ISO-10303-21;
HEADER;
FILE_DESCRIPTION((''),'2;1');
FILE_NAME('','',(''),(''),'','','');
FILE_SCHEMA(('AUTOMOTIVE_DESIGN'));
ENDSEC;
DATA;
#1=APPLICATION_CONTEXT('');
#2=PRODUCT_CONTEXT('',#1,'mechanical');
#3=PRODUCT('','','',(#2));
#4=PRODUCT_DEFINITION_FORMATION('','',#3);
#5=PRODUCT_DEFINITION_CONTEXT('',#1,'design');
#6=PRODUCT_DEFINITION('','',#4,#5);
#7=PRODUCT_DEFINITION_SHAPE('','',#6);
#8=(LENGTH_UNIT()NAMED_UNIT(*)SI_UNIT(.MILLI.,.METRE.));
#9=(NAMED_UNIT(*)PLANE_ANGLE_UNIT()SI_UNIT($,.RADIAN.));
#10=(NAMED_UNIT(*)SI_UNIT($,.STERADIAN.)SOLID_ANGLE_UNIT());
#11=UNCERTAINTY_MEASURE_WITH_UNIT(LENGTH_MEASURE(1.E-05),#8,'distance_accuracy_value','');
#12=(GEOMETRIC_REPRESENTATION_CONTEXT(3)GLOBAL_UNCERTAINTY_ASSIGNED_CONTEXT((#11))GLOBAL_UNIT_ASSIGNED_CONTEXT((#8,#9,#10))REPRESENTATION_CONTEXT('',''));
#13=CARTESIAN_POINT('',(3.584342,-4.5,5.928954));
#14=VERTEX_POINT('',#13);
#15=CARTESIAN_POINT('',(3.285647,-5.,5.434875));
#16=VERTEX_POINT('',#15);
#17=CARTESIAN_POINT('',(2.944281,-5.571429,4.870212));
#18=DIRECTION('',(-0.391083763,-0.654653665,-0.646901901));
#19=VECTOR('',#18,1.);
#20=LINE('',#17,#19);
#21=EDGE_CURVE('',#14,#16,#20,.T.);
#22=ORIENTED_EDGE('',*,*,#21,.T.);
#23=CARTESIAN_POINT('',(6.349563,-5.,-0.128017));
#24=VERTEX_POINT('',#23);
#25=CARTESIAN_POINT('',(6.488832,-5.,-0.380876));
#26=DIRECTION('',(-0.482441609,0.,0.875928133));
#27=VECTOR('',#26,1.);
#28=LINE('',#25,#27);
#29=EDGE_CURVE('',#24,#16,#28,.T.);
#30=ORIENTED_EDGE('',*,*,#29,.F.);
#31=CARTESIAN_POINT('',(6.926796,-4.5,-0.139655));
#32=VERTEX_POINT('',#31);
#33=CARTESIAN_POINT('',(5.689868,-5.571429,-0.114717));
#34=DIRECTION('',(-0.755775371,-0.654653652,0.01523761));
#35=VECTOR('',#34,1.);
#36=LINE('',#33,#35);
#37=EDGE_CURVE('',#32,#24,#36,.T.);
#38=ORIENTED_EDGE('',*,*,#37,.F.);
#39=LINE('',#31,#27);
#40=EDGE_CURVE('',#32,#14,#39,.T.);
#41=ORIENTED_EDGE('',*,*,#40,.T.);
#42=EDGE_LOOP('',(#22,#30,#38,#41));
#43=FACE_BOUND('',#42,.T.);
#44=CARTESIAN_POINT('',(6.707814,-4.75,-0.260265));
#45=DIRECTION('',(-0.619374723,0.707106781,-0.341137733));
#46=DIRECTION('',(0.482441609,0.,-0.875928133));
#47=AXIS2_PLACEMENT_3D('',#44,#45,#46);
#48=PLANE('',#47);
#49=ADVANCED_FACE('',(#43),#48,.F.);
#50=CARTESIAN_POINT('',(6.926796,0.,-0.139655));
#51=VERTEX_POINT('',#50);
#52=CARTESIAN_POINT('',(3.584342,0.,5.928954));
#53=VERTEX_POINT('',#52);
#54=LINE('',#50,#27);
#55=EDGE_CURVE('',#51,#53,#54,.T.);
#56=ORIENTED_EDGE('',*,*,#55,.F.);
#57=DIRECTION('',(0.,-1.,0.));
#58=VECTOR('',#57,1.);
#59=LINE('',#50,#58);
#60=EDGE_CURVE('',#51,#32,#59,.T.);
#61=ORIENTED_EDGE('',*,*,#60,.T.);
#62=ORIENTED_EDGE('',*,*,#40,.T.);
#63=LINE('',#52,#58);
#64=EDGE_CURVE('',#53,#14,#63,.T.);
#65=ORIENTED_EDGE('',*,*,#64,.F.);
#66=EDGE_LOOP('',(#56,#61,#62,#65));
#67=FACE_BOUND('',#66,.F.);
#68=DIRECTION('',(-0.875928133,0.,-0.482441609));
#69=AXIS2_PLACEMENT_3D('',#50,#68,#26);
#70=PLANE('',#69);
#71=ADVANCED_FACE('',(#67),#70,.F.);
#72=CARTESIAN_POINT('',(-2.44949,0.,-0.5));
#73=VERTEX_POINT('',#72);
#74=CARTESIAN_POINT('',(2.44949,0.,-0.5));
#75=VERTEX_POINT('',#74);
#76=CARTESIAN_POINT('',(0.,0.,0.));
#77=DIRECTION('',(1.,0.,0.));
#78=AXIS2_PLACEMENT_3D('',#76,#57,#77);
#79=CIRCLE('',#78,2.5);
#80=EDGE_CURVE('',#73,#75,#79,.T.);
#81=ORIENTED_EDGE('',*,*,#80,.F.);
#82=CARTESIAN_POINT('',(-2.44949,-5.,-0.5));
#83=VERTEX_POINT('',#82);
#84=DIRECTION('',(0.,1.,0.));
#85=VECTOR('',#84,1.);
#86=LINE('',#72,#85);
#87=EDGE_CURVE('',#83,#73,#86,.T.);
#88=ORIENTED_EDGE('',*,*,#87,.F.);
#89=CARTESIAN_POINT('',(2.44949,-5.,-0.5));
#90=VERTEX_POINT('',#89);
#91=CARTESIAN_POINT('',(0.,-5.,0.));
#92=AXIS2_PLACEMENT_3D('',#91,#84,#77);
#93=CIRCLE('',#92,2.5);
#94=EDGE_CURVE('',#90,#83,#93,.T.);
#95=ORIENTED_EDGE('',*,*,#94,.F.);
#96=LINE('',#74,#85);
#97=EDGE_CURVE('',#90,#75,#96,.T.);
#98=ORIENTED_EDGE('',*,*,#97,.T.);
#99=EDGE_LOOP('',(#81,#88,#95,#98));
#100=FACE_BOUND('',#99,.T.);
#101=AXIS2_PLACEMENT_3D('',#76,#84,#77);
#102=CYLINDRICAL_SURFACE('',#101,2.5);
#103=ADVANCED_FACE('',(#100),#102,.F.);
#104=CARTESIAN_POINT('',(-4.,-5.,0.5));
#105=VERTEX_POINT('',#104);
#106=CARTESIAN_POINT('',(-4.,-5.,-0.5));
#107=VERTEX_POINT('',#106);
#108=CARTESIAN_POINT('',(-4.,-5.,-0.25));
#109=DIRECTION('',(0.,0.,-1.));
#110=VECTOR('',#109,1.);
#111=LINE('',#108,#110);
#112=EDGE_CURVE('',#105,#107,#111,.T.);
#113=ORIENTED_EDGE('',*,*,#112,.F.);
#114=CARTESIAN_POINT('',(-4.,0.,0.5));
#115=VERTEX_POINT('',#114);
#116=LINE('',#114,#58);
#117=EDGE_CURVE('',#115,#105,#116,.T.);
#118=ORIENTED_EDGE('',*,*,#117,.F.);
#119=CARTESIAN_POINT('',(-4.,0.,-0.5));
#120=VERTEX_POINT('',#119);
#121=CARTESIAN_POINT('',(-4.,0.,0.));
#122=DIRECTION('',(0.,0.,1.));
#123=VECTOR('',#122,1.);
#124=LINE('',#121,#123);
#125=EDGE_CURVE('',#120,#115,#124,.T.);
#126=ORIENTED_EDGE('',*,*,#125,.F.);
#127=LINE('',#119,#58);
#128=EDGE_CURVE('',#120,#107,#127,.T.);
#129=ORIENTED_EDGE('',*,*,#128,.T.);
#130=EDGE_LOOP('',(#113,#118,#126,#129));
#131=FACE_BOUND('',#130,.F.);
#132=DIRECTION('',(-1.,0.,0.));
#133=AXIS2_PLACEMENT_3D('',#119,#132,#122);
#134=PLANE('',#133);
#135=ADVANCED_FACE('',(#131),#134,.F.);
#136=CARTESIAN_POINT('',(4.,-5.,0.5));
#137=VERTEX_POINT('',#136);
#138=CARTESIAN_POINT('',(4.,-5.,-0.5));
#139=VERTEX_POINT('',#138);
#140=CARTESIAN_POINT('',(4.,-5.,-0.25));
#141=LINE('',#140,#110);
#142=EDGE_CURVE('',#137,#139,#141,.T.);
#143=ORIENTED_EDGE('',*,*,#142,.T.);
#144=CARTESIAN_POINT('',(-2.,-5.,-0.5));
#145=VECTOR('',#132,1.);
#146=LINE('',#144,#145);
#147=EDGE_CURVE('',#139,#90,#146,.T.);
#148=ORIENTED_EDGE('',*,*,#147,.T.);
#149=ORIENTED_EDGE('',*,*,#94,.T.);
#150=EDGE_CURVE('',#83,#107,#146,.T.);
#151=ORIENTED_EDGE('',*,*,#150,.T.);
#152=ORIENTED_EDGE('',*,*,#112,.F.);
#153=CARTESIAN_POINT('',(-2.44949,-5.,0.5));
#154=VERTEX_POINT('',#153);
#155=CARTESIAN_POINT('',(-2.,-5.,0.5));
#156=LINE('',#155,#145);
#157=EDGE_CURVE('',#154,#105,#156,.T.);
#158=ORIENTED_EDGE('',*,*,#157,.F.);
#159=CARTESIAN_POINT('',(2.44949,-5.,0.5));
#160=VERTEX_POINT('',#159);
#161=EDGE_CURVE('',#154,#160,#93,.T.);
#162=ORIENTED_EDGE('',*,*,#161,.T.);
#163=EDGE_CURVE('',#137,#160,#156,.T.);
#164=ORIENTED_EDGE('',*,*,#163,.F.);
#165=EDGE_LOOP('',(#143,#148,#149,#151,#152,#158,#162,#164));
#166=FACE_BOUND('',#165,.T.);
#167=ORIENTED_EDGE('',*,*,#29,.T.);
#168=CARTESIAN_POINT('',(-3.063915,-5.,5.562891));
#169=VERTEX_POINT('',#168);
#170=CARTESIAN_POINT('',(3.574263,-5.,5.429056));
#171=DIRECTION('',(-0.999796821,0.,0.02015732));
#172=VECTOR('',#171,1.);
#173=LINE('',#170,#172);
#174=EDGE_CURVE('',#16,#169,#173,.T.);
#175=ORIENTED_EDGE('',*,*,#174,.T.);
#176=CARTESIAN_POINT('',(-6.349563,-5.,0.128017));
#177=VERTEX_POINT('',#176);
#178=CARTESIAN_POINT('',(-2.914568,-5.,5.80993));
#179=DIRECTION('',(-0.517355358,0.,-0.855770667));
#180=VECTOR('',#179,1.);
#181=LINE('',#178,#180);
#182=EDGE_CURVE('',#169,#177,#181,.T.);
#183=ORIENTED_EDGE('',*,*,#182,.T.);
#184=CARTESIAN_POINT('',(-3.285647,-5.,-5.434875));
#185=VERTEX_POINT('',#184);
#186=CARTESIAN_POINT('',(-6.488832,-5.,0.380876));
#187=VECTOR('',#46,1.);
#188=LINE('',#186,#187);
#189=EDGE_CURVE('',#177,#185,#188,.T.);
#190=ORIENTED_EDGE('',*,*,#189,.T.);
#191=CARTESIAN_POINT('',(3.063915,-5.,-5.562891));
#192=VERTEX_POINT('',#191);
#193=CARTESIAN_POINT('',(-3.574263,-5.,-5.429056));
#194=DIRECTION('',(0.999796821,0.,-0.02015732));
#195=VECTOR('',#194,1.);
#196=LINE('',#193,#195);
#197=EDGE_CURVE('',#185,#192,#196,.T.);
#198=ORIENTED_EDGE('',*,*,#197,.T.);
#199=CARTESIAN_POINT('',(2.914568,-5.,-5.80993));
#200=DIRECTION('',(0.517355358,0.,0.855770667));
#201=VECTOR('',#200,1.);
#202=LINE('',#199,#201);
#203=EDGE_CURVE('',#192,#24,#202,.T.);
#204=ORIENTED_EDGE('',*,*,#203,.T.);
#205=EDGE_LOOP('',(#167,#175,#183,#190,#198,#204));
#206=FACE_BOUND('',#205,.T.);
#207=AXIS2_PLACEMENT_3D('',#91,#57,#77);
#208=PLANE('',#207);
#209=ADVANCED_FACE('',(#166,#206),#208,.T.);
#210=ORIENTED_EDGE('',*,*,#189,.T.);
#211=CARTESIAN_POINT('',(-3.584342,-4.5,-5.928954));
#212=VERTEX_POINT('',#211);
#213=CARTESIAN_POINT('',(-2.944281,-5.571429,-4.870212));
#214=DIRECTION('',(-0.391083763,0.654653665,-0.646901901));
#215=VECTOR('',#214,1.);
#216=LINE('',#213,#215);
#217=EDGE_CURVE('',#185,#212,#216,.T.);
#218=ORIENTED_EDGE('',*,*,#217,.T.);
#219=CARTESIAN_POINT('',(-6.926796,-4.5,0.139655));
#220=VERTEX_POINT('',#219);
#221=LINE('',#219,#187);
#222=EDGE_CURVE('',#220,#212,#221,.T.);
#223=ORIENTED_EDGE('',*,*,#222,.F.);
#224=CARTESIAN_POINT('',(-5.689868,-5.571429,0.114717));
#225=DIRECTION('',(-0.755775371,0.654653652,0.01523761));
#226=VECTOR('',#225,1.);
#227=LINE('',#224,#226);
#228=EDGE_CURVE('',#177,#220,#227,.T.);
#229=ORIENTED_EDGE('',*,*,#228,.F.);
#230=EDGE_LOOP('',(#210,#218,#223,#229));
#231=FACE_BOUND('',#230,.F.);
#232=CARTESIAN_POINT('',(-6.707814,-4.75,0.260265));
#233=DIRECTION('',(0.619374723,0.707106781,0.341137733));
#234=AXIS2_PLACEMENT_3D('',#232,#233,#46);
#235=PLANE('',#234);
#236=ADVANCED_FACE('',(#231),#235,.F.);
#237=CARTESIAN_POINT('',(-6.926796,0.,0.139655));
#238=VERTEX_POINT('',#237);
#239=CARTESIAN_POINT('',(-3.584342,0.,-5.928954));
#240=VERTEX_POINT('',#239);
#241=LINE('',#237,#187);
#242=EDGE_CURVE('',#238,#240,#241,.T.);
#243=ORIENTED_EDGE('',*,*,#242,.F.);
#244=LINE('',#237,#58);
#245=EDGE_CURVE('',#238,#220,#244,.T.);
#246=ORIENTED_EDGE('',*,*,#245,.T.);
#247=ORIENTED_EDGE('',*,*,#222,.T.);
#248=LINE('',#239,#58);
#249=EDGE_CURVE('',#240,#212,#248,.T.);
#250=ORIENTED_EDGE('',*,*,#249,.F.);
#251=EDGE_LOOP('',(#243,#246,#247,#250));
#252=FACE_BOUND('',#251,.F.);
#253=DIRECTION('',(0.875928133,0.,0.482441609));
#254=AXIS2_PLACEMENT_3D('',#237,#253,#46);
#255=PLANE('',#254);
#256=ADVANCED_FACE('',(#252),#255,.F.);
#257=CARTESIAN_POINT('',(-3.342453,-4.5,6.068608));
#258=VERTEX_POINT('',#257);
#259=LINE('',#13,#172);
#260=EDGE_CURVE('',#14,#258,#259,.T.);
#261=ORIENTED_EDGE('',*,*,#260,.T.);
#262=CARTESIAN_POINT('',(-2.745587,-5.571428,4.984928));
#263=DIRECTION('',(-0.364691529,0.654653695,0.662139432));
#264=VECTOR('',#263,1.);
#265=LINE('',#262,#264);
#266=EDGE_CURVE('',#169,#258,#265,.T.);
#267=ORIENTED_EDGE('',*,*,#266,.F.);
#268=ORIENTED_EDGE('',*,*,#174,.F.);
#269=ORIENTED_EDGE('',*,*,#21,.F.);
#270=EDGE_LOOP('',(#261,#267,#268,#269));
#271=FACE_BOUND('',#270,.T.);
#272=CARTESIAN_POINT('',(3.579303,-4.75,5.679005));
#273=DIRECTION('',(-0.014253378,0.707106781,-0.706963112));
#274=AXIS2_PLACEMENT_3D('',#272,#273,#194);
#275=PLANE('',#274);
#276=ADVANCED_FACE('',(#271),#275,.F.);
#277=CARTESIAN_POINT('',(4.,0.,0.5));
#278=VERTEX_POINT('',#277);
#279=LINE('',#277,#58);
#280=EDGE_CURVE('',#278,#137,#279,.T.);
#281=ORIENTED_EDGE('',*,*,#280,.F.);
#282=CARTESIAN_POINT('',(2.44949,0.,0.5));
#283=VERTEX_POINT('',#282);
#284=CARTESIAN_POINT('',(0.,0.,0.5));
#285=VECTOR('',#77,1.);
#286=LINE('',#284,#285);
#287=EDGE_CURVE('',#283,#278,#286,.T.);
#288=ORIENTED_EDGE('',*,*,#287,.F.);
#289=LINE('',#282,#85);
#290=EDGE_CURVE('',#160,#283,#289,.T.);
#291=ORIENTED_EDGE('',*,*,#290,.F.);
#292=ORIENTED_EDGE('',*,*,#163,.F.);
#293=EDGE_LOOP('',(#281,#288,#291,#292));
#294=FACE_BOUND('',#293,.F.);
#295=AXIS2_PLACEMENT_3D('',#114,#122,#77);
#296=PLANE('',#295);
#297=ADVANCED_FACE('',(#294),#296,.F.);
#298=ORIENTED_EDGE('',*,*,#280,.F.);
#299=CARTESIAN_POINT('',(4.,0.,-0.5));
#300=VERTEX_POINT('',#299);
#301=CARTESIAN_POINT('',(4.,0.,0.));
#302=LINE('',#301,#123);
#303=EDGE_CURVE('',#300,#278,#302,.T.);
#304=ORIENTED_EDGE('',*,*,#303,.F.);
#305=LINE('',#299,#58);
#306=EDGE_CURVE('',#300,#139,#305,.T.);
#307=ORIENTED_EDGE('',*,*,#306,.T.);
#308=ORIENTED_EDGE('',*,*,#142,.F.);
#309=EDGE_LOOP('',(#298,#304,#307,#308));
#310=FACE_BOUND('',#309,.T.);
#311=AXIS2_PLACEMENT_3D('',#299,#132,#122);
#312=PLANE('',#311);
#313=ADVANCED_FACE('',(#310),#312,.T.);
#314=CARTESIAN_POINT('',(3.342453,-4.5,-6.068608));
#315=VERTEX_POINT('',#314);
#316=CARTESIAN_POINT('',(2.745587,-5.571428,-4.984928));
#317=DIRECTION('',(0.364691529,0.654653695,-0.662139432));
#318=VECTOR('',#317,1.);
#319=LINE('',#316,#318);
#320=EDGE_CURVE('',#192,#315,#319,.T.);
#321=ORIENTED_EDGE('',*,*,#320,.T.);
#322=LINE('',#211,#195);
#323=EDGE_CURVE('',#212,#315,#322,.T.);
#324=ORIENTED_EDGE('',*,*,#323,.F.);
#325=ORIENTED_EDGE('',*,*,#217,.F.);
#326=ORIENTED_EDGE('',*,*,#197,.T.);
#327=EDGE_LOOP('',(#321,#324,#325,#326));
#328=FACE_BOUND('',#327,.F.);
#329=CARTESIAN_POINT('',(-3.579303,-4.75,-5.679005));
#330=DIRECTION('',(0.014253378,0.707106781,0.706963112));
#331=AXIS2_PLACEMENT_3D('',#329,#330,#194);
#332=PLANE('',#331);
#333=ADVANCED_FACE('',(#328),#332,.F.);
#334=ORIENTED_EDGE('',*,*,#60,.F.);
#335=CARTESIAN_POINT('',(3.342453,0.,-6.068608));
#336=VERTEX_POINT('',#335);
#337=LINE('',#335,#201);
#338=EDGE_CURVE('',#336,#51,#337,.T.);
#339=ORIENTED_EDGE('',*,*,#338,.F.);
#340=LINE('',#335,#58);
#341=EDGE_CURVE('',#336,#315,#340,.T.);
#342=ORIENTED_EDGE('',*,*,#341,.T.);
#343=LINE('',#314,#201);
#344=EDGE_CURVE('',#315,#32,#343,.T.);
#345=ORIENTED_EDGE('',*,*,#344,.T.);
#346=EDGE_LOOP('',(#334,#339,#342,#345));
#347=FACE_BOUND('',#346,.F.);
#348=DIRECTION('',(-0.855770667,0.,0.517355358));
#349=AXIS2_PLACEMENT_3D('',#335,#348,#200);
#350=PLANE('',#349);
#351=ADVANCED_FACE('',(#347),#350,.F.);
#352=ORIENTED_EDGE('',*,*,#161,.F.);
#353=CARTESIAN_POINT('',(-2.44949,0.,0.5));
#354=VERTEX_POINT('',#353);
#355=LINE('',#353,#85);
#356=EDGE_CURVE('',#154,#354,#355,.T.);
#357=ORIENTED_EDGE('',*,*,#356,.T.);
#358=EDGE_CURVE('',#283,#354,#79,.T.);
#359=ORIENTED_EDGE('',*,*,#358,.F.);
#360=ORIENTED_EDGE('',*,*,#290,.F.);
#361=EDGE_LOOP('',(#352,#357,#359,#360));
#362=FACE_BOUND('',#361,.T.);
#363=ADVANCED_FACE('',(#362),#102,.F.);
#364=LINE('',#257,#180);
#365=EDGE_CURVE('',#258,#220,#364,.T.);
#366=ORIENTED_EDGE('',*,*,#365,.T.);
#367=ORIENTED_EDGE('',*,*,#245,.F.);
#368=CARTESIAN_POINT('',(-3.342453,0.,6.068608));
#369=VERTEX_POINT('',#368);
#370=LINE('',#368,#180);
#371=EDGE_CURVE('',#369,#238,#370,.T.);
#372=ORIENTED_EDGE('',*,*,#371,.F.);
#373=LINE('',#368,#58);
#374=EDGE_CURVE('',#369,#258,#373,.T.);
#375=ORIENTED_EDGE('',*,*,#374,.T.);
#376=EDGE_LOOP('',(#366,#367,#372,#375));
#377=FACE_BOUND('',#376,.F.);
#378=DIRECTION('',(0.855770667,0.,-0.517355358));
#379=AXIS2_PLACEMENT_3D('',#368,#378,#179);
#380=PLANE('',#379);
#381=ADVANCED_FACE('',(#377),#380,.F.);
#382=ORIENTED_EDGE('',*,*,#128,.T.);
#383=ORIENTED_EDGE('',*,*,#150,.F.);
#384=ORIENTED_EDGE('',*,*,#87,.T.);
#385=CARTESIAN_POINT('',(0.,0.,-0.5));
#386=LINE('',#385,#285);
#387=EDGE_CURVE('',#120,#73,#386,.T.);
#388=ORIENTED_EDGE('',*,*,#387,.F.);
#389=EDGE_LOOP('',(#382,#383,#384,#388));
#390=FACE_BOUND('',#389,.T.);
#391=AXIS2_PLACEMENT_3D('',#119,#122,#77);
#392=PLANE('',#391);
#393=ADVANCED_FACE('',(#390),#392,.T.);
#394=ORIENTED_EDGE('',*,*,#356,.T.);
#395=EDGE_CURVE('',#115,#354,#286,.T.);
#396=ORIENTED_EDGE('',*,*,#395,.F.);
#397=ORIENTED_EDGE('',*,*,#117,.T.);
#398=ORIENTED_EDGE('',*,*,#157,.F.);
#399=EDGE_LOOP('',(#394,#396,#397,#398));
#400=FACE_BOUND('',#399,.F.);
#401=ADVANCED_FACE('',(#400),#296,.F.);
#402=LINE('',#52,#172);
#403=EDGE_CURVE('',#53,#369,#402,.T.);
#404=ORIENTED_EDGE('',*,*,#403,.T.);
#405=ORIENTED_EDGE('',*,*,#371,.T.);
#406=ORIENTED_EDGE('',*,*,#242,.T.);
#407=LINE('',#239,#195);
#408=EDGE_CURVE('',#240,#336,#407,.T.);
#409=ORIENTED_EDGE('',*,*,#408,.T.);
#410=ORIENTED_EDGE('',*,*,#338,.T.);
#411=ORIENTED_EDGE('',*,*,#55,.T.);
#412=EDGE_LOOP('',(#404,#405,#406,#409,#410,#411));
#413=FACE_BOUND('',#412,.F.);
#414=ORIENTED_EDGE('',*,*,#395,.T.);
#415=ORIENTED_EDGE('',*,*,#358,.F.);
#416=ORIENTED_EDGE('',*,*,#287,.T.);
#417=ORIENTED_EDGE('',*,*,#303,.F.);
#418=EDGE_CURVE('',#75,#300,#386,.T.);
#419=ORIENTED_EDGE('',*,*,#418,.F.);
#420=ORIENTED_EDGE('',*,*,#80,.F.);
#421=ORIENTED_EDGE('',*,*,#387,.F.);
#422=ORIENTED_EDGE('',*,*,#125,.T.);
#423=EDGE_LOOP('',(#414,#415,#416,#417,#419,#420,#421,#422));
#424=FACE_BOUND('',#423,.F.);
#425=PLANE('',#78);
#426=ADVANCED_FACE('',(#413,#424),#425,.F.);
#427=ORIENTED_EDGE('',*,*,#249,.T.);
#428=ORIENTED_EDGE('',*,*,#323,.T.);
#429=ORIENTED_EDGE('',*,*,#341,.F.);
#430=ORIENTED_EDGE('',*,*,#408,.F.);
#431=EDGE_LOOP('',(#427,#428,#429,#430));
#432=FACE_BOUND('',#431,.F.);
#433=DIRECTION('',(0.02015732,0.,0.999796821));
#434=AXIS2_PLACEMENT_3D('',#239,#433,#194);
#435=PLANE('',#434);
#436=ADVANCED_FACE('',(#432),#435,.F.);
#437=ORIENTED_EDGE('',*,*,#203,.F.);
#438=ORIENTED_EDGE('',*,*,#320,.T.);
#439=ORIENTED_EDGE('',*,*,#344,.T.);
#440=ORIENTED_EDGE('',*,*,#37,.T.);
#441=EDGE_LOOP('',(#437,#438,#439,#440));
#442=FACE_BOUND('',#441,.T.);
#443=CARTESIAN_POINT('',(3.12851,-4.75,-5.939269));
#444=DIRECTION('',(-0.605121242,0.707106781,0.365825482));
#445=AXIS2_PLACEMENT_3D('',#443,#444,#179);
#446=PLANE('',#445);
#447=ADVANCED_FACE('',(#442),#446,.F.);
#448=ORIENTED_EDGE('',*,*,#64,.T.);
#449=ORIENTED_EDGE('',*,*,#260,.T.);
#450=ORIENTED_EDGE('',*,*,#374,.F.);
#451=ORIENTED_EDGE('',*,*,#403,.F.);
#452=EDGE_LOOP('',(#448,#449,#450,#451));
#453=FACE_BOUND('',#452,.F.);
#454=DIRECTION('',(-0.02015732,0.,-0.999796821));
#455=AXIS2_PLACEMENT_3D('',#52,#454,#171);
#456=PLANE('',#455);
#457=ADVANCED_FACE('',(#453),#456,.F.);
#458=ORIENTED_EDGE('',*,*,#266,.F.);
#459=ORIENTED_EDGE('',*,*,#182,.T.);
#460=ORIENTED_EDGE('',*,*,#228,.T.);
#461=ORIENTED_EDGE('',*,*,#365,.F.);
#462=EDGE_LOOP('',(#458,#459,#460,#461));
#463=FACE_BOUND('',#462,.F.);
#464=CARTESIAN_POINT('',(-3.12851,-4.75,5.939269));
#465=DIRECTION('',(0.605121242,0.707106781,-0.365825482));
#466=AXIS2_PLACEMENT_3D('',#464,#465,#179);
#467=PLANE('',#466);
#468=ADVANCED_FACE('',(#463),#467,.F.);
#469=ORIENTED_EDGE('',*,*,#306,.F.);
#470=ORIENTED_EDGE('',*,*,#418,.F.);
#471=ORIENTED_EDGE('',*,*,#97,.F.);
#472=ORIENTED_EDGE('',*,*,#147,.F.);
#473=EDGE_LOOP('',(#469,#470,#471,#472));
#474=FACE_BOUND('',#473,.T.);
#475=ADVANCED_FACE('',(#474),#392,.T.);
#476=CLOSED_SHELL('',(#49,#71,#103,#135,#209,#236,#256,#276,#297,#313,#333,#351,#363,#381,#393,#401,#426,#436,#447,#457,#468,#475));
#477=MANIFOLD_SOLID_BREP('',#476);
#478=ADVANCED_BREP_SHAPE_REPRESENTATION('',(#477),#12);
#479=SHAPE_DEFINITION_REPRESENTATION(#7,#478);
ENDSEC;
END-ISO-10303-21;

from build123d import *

# Parameters (mm, degrees)
F0_DEPTH = 5
F1_R     = 2.5
F2_DEPTH = 36.487296
F6_SIZE  = 0.5
F3_W     = 8
F3_H     = 1
F4_DEPTH = 5.527664


with BuildPart() as f0:
    # F5 (on Front) → F0 (new body)
    with BuildSketch(Plane.XZ):
        Polygon((6.926796, -0.139655), (3.584342, 5.928954), (-3.342453, 6.068608), (-6.926796, 0.139655), (-3.584342, -5.928954), (3.342453, -6.068608), align=None)
    extrude(amount=F0_DEPTH)

    # F1 (on face) → F2 (cut)
    with BuildSketch(Plane.XZ):
        Circle(F1_R)
    extrude(amount=F2_DEPTH, mode=Mode.SUBTRACT)

    # F6
    f6_edges = [f0.edges().sort_by_distance(p)[0] for p in [
        (-5.255569, -5, -2.89465),
        (-5.134624, -5, 3.104131),
        (0.120944, -5, 5.998781),
        (5.255569, -5, 2.89465),
        (-0.120944, -5, -5.998781),
        (5.134624, -5, -3.104131),
    ]]
    chamfer(f6_edges, length=F6_SIZE)

    # F3 (on face) → F4 (cut)
    with BuildSketch(Plane.XZ):
        Rectangle(F3_W, F3_H)
    extrude(amount=F4_DEPTH, mode=Mode.SUBTRACT)


solid = f0.part
